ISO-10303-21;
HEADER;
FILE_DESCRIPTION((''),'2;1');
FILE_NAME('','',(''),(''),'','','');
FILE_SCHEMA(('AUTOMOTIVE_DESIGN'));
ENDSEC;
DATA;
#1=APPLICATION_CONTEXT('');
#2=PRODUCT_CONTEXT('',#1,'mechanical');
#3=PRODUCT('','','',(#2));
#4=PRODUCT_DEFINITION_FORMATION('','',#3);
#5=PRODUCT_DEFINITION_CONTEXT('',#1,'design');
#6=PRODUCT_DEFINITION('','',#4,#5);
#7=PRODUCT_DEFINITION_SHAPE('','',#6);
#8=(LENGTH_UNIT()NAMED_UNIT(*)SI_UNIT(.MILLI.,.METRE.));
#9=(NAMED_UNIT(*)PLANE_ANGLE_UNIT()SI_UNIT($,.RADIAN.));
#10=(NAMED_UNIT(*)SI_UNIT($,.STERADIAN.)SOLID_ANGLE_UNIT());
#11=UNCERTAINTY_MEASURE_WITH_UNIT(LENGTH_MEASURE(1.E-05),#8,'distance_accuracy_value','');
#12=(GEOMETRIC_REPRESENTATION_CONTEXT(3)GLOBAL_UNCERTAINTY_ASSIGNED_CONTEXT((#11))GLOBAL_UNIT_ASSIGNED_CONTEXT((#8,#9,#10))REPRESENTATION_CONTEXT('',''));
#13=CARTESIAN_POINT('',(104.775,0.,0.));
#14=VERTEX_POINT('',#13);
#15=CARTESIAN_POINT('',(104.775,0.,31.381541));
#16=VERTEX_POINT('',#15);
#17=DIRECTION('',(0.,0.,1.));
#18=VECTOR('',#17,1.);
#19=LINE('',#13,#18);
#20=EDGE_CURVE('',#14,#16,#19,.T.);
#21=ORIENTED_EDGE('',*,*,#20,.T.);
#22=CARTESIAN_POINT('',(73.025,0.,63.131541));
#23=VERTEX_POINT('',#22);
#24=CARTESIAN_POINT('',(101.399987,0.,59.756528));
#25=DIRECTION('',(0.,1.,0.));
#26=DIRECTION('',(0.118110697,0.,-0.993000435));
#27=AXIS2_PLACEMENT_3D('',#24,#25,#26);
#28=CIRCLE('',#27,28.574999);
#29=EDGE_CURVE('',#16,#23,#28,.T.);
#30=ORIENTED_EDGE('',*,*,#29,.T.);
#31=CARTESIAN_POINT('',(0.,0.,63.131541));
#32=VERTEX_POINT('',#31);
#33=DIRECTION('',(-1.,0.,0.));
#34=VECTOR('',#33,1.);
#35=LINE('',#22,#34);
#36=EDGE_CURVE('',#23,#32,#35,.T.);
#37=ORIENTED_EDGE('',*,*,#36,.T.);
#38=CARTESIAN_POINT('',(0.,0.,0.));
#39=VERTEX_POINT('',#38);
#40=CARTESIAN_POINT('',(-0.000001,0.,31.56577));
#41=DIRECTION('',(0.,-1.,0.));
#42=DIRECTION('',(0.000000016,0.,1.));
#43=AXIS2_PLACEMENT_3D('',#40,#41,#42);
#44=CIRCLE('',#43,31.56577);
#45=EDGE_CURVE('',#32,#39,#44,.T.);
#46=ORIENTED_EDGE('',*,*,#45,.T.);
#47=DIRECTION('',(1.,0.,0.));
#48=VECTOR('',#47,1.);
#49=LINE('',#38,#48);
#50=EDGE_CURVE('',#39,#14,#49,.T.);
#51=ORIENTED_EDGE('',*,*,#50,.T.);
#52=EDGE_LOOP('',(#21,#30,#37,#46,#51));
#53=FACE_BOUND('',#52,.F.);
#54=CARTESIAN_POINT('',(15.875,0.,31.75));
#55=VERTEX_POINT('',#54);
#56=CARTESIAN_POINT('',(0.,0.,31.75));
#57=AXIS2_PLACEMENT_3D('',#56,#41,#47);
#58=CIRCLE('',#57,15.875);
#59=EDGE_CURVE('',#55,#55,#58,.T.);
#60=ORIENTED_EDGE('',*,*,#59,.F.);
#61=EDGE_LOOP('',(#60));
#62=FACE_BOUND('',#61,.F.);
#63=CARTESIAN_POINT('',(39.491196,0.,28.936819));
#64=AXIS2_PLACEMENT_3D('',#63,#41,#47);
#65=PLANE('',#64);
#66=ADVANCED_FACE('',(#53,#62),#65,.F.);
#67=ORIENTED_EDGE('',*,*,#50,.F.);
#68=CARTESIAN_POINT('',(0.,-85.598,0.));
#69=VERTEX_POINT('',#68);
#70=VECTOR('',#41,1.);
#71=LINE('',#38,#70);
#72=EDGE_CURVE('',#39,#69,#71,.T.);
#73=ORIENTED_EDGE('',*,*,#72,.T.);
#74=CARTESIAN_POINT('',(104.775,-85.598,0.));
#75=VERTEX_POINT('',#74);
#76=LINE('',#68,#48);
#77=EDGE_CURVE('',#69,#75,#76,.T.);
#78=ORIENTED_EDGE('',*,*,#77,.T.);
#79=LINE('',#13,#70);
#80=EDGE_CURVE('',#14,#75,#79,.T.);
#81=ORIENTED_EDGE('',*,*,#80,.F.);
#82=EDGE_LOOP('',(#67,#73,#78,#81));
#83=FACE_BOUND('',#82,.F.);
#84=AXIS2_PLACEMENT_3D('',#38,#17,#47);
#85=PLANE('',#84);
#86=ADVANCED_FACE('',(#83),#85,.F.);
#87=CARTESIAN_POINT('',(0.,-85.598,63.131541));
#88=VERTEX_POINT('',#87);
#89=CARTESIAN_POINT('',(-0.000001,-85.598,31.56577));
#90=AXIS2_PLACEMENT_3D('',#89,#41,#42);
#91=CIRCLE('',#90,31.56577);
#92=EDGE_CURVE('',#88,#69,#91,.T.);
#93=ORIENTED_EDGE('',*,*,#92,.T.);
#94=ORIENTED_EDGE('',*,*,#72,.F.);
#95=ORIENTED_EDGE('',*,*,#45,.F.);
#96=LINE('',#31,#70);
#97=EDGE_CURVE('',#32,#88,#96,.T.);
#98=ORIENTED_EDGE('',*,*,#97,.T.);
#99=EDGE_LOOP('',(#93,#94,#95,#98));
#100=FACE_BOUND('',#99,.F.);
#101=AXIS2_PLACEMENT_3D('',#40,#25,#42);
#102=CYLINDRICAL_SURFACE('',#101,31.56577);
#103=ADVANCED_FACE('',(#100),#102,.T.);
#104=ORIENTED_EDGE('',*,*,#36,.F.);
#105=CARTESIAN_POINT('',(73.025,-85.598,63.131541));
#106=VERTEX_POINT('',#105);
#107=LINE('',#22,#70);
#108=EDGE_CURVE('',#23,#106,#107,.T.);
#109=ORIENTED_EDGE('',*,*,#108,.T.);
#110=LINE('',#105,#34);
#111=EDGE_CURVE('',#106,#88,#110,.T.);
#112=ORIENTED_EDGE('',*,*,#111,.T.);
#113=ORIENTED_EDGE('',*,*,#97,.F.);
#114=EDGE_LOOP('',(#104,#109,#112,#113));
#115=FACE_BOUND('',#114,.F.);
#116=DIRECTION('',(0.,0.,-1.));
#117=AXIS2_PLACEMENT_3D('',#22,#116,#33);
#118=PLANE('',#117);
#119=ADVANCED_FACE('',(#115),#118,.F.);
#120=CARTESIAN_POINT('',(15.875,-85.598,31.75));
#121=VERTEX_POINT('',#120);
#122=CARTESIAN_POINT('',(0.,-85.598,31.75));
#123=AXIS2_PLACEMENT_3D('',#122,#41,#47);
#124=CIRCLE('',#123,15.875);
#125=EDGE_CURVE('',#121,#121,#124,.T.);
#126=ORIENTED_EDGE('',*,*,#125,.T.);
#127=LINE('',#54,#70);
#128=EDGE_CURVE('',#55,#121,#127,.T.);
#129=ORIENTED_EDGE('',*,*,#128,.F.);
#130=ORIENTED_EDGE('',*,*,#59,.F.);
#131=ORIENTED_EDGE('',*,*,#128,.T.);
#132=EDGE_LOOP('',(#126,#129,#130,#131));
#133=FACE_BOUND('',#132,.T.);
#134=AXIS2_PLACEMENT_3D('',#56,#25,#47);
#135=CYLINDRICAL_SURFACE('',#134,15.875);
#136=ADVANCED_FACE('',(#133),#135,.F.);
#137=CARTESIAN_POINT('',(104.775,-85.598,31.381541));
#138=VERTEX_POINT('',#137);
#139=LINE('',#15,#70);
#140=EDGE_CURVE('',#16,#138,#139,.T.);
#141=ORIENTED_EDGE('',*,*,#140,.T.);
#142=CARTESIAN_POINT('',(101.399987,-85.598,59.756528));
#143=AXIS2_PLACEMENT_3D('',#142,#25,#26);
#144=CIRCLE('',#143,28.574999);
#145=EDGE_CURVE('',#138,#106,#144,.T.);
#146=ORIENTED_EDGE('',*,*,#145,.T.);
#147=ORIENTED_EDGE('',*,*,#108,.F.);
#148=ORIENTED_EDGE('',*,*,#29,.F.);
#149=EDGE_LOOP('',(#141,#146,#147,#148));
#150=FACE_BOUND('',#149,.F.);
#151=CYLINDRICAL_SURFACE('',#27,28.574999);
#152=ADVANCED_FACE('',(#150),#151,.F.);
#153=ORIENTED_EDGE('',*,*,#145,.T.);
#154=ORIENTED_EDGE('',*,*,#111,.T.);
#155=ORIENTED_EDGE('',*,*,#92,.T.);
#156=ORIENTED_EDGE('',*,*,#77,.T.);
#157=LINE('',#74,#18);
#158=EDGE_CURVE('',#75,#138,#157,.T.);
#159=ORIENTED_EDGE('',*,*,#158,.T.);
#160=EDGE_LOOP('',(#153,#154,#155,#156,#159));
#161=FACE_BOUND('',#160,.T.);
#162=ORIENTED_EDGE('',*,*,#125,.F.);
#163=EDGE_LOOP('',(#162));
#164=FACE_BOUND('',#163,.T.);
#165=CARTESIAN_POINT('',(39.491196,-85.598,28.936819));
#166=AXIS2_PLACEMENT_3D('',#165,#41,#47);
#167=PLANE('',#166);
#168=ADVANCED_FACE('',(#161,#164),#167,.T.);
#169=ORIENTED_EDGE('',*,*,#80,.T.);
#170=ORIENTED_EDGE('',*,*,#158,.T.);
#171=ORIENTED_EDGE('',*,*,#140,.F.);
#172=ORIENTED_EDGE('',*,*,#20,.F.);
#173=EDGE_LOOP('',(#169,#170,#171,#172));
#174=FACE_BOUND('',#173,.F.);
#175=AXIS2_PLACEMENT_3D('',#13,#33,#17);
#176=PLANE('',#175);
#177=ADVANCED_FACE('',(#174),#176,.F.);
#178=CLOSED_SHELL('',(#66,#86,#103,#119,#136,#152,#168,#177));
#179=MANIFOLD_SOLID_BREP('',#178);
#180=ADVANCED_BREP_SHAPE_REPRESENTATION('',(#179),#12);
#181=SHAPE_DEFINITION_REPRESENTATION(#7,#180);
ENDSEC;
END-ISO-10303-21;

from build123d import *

# Parameters (mm, degrees)
F0_R     = 15.875
F1_DEPTH = 85.598


with BuildPart() as f1:
    # F0 (on Front) → F1 (new body)
    with BuildSketch(Plane.XZ):
        with BuildLine():
            ThreePointArc((0, 63.131541), (-31.565771, 31.565771), (0, 0))
            Line((0, 0), (104.775, 0))
            Line((104.775, 0), (104.775, 31.381541))
            ThreePointArc((104.775, 31.381541), (81.194411, 39.550952), (73.025, 63.131541))
            Line((73.025, 63.131541), (0, 63.131541))
        make_face()
        with Locations((0, 31.75)):
            Circle(F0_R, mode=Mode.SUBTRACT)
    extrude(amount=F1_DEPTH)


solid = f1.part
